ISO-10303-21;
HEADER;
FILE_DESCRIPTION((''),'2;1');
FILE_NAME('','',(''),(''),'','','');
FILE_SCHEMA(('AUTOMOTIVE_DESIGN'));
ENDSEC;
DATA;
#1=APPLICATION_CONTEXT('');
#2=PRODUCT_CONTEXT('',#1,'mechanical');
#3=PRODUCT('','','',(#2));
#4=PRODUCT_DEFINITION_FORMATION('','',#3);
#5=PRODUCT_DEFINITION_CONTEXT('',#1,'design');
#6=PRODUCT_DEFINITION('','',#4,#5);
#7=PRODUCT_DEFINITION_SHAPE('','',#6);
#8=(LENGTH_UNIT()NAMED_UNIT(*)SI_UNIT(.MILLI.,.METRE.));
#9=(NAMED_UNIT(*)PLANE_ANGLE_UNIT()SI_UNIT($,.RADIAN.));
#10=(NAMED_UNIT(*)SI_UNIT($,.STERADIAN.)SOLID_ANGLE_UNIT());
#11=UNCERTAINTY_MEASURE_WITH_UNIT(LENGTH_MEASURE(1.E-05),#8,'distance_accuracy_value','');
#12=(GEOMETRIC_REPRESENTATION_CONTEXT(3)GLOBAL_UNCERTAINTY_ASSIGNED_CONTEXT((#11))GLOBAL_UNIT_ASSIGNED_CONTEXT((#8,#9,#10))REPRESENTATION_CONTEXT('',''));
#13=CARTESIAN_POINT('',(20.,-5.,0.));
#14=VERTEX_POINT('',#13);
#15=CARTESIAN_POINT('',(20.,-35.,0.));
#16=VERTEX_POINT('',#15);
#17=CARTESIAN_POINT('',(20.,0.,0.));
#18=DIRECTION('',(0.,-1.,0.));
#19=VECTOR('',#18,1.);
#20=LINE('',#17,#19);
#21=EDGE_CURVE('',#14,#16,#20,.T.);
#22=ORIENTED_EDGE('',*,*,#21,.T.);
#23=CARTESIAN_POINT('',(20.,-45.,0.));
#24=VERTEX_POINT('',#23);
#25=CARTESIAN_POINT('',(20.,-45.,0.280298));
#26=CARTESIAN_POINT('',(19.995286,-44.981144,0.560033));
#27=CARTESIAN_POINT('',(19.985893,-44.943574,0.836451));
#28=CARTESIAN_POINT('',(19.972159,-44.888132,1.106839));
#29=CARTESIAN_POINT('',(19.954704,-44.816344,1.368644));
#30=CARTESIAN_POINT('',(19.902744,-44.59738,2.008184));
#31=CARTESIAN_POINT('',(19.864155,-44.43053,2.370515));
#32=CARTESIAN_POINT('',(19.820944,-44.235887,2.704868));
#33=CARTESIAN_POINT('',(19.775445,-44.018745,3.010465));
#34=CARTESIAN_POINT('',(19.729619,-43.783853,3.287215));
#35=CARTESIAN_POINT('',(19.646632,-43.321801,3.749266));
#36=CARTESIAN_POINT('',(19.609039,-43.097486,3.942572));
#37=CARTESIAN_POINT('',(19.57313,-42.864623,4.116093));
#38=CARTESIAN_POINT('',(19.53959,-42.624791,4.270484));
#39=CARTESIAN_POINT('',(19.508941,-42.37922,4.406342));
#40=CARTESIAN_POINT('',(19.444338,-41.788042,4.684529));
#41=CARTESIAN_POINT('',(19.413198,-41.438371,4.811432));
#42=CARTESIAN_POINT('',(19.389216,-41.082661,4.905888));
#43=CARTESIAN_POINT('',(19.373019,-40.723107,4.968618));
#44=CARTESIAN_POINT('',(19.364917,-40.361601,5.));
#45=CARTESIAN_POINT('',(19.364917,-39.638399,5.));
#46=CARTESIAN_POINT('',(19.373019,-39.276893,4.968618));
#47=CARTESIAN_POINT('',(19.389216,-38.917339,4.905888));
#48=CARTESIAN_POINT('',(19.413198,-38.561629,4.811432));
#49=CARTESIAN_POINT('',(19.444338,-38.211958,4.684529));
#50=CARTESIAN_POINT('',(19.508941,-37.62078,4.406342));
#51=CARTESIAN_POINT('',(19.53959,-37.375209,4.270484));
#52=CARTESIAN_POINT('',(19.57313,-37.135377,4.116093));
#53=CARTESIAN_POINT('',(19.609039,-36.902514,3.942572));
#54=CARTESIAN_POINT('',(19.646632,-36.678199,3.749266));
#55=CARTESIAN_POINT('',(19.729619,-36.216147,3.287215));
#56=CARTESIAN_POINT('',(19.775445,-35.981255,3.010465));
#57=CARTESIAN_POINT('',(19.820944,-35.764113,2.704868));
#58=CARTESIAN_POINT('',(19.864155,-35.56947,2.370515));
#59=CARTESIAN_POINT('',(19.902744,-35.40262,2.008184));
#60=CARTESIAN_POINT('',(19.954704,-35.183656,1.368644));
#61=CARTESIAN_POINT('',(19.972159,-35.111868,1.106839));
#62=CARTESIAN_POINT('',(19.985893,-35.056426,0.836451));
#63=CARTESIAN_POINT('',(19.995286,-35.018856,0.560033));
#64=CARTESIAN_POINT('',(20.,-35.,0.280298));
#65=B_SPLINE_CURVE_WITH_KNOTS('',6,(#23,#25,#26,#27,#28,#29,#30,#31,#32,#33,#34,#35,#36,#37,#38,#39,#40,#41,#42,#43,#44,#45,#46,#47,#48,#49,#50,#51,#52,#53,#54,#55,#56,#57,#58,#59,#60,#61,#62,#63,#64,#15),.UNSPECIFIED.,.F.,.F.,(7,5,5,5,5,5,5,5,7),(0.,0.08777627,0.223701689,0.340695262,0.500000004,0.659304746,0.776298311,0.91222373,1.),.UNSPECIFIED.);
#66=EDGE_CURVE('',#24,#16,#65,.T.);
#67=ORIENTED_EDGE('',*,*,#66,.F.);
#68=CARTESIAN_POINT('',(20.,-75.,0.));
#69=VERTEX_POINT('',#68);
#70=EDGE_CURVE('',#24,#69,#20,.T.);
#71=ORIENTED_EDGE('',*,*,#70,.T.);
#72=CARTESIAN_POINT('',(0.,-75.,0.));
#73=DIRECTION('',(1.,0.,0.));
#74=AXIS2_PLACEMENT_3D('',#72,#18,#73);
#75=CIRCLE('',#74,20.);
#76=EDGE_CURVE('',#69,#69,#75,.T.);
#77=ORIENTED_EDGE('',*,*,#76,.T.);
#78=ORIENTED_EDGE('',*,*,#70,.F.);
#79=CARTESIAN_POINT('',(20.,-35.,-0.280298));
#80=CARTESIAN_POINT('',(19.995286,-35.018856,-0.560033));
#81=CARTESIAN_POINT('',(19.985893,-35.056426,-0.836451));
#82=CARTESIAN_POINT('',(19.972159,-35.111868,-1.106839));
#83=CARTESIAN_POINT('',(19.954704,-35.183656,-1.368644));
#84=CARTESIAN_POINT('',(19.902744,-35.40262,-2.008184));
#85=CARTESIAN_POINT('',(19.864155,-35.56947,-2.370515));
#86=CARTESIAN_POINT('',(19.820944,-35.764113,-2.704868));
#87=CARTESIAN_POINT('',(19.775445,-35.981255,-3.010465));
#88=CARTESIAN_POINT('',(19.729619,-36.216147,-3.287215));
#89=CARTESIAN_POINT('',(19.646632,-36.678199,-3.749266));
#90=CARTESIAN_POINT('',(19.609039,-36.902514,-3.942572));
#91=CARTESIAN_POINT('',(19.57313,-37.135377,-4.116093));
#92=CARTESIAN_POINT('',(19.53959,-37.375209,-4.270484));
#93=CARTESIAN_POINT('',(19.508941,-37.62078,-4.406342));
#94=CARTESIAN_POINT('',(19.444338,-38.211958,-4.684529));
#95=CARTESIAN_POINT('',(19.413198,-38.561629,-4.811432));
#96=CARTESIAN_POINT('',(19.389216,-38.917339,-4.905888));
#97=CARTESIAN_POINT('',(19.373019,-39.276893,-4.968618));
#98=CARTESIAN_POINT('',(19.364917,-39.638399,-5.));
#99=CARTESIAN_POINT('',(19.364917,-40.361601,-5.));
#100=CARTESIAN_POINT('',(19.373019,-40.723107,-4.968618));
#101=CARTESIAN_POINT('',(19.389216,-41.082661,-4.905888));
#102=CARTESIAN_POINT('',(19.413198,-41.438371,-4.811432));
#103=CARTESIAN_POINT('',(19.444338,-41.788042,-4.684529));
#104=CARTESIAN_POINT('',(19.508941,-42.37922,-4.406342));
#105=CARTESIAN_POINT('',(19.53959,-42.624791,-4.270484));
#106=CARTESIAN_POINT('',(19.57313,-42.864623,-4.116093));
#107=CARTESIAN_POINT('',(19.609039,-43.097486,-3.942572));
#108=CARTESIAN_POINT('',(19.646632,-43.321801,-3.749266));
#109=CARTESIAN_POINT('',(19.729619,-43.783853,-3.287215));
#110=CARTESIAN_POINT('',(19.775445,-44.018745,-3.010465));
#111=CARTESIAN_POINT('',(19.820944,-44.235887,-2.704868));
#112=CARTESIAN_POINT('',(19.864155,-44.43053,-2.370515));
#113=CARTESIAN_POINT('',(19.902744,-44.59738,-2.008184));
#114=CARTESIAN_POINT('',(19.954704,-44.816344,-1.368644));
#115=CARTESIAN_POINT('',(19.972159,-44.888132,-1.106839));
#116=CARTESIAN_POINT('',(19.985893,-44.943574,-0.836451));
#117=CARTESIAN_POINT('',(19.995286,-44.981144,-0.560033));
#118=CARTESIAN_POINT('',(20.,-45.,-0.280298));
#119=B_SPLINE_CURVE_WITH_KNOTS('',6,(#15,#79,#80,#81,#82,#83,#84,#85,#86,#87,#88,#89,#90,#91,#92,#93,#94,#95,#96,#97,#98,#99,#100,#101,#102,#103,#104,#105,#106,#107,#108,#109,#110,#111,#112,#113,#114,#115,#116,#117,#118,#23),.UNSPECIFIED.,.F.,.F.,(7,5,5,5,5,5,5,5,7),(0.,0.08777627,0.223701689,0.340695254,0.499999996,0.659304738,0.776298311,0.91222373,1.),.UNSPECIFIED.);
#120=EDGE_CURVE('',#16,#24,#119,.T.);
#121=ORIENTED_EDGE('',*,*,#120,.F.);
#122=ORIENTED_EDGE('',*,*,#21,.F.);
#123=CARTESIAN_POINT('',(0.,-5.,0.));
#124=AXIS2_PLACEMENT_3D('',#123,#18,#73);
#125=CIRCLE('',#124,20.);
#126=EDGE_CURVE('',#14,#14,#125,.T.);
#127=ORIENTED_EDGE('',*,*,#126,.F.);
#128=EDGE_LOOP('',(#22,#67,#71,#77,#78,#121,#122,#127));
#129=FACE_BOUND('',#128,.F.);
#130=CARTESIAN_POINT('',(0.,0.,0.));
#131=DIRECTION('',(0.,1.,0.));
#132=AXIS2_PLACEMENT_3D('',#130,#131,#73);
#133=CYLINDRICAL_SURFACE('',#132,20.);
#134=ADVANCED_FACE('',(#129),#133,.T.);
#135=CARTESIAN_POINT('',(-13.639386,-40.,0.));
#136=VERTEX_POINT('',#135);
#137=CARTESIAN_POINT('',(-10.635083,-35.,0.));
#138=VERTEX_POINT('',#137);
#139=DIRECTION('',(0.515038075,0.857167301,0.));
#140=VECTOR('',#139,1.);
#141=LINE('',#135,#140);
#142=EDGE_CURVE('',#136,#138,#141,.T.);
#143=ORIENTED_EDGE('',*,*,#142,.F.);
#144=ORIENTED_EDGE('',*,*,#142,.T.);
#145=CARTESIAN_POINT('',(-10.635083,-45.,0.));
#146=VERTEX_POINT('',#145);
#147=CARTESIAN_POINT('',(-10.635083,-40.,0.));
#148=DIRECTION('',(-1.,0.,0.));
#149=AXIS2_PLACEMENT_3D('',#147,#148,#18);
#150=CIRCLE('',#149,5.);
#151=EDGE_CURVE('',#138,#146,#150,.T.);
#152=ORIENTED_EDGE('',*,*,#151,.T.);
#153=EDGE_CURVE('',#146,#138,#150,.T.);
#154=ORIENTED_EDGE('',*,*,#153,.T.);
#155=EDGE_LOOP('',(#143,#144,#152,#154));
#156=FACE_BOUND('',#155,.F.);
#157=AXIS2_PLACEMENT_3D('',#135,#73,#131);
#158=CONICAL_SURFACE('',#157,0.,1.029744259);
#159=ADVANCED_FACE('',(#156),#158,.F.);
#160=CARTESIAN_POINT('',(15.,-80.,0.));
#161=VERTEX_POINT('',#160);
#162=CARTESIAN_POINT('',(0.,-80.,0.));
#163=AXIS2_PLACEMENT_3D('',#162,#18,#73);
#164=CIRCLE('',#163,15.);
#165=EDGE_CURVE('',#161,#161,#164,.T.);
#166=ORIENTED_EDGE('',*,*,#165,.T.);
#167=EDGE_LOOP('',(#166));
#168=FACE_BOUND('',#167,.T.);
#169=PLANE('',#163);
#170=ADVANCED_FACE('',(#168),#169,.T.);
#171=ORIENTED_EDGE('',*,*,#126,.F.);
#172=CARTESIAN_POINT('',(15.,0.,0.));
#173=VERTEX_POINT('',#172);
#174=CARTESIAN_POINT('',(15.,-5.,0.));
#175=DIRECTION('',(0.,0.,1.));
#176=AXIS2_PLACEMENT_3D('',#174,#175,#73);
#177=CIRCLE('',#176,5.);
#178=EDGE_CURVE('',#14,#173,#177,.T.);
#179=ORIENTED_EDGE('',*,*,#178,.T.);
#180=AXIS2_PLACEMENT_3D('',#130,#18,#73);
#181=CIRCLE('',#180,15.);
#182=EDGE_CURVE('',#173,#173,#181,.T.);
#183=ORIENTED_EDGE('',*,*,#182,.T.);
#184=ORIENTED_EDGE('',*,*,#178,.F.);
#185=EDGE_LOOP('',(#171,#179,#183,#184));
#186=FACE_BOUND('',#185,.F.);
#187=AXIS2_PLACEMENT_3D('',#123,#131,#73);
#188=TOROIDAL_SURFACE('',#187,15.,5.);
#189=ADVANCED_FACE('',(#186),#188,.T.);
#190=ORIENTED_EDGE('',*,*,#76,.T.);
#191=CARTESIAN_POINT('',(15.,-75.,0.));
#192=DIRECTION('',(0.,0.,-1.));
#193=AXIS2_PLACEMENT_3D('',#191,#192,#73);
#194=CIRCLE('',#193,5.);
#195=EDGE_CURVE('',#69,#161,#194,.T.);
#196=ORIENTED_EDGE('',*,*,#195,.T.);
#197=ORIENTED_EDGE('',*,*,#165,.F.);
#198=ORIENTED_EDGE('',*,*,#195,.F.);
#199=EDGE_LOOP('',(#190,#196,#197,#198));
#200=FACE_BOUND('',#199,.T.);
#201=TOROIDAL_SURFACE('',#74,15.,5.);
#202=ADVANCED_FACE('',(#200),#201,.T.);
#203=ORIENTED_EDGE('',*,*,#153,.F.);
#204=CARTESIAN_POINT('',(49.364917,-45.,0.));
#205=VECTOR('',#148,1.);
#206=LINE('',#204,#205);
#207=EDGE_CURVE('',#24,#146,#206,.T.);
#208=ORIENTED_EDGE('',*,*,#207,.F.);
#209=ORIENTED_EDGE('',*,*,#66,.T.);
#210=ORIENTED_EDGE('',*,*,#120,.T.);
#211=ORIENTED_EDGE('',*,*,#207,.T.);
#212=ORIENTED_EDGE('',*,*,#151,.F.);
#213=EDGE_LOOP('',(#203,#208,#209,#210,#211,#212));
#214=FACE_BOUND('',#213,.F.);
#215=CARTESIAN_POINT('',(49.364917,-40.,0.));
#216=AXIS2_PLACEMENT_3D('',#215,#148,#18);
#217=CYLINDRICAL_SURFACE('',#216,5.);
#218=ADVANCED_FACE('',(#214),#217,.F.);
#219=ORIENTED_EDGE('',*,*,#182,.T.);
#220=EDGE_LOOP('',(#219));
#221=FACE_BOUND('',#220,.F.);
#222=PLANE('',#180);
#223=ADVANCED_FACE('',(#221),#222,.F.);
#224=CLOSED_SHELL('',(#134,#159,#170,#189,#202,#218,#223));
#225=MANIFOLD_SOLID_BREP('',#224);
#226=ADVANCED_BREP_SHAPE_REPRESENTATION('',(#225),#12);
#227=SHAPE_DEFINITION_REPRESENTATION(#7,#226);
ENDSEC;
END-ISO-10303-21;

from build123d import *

# Parameters (mm, degrees)
F0_R     = 20
F1_DEPTH = 80
F4_D     = 10
F4_DEPTH = 30
F4_START = 0.6350834
F4_TIP   = 3.0043030951
F5_R     = 5
F6_R     = 5


with BuildPart() as f1:
    # F0 (on Front) → F1 (new body)
    with BuildSketch(Plane.XZ):
        Circle(F0_R)
    extrude(amount=F1_DEPTH)

    # F4
    # its depths count from where the whole tool has entered the part; down to there all is cleared
    with Locations(Plane.YZ.offset(20).offset(-F4_START)):
        with Locations((-40, 0)):
            Hole(F4_D / 2, depth=F4_DEPTH)
            with Locations((0, 0, -(F4_DEPTH + F4_TIP / 2))):  # 118° drill point
                Cone(0, F4_D / 2, F4_TIP, mode=Mode.SUBTRACT)

    # F5
    f5_edges = [f1.edges().sort_by_distance(p)[0] for p in [
        (-20, 0, 0),
    ]]
    fillet(f5_edges, radius=F5_R)

    # F6
    f6_edges = [f1.edges().sort_by_distance(p)[0] for p in [
        (-20, -80, 0),
    ]]
    fillet(f6_edges, radius=F6_R)


solid = f1.part
